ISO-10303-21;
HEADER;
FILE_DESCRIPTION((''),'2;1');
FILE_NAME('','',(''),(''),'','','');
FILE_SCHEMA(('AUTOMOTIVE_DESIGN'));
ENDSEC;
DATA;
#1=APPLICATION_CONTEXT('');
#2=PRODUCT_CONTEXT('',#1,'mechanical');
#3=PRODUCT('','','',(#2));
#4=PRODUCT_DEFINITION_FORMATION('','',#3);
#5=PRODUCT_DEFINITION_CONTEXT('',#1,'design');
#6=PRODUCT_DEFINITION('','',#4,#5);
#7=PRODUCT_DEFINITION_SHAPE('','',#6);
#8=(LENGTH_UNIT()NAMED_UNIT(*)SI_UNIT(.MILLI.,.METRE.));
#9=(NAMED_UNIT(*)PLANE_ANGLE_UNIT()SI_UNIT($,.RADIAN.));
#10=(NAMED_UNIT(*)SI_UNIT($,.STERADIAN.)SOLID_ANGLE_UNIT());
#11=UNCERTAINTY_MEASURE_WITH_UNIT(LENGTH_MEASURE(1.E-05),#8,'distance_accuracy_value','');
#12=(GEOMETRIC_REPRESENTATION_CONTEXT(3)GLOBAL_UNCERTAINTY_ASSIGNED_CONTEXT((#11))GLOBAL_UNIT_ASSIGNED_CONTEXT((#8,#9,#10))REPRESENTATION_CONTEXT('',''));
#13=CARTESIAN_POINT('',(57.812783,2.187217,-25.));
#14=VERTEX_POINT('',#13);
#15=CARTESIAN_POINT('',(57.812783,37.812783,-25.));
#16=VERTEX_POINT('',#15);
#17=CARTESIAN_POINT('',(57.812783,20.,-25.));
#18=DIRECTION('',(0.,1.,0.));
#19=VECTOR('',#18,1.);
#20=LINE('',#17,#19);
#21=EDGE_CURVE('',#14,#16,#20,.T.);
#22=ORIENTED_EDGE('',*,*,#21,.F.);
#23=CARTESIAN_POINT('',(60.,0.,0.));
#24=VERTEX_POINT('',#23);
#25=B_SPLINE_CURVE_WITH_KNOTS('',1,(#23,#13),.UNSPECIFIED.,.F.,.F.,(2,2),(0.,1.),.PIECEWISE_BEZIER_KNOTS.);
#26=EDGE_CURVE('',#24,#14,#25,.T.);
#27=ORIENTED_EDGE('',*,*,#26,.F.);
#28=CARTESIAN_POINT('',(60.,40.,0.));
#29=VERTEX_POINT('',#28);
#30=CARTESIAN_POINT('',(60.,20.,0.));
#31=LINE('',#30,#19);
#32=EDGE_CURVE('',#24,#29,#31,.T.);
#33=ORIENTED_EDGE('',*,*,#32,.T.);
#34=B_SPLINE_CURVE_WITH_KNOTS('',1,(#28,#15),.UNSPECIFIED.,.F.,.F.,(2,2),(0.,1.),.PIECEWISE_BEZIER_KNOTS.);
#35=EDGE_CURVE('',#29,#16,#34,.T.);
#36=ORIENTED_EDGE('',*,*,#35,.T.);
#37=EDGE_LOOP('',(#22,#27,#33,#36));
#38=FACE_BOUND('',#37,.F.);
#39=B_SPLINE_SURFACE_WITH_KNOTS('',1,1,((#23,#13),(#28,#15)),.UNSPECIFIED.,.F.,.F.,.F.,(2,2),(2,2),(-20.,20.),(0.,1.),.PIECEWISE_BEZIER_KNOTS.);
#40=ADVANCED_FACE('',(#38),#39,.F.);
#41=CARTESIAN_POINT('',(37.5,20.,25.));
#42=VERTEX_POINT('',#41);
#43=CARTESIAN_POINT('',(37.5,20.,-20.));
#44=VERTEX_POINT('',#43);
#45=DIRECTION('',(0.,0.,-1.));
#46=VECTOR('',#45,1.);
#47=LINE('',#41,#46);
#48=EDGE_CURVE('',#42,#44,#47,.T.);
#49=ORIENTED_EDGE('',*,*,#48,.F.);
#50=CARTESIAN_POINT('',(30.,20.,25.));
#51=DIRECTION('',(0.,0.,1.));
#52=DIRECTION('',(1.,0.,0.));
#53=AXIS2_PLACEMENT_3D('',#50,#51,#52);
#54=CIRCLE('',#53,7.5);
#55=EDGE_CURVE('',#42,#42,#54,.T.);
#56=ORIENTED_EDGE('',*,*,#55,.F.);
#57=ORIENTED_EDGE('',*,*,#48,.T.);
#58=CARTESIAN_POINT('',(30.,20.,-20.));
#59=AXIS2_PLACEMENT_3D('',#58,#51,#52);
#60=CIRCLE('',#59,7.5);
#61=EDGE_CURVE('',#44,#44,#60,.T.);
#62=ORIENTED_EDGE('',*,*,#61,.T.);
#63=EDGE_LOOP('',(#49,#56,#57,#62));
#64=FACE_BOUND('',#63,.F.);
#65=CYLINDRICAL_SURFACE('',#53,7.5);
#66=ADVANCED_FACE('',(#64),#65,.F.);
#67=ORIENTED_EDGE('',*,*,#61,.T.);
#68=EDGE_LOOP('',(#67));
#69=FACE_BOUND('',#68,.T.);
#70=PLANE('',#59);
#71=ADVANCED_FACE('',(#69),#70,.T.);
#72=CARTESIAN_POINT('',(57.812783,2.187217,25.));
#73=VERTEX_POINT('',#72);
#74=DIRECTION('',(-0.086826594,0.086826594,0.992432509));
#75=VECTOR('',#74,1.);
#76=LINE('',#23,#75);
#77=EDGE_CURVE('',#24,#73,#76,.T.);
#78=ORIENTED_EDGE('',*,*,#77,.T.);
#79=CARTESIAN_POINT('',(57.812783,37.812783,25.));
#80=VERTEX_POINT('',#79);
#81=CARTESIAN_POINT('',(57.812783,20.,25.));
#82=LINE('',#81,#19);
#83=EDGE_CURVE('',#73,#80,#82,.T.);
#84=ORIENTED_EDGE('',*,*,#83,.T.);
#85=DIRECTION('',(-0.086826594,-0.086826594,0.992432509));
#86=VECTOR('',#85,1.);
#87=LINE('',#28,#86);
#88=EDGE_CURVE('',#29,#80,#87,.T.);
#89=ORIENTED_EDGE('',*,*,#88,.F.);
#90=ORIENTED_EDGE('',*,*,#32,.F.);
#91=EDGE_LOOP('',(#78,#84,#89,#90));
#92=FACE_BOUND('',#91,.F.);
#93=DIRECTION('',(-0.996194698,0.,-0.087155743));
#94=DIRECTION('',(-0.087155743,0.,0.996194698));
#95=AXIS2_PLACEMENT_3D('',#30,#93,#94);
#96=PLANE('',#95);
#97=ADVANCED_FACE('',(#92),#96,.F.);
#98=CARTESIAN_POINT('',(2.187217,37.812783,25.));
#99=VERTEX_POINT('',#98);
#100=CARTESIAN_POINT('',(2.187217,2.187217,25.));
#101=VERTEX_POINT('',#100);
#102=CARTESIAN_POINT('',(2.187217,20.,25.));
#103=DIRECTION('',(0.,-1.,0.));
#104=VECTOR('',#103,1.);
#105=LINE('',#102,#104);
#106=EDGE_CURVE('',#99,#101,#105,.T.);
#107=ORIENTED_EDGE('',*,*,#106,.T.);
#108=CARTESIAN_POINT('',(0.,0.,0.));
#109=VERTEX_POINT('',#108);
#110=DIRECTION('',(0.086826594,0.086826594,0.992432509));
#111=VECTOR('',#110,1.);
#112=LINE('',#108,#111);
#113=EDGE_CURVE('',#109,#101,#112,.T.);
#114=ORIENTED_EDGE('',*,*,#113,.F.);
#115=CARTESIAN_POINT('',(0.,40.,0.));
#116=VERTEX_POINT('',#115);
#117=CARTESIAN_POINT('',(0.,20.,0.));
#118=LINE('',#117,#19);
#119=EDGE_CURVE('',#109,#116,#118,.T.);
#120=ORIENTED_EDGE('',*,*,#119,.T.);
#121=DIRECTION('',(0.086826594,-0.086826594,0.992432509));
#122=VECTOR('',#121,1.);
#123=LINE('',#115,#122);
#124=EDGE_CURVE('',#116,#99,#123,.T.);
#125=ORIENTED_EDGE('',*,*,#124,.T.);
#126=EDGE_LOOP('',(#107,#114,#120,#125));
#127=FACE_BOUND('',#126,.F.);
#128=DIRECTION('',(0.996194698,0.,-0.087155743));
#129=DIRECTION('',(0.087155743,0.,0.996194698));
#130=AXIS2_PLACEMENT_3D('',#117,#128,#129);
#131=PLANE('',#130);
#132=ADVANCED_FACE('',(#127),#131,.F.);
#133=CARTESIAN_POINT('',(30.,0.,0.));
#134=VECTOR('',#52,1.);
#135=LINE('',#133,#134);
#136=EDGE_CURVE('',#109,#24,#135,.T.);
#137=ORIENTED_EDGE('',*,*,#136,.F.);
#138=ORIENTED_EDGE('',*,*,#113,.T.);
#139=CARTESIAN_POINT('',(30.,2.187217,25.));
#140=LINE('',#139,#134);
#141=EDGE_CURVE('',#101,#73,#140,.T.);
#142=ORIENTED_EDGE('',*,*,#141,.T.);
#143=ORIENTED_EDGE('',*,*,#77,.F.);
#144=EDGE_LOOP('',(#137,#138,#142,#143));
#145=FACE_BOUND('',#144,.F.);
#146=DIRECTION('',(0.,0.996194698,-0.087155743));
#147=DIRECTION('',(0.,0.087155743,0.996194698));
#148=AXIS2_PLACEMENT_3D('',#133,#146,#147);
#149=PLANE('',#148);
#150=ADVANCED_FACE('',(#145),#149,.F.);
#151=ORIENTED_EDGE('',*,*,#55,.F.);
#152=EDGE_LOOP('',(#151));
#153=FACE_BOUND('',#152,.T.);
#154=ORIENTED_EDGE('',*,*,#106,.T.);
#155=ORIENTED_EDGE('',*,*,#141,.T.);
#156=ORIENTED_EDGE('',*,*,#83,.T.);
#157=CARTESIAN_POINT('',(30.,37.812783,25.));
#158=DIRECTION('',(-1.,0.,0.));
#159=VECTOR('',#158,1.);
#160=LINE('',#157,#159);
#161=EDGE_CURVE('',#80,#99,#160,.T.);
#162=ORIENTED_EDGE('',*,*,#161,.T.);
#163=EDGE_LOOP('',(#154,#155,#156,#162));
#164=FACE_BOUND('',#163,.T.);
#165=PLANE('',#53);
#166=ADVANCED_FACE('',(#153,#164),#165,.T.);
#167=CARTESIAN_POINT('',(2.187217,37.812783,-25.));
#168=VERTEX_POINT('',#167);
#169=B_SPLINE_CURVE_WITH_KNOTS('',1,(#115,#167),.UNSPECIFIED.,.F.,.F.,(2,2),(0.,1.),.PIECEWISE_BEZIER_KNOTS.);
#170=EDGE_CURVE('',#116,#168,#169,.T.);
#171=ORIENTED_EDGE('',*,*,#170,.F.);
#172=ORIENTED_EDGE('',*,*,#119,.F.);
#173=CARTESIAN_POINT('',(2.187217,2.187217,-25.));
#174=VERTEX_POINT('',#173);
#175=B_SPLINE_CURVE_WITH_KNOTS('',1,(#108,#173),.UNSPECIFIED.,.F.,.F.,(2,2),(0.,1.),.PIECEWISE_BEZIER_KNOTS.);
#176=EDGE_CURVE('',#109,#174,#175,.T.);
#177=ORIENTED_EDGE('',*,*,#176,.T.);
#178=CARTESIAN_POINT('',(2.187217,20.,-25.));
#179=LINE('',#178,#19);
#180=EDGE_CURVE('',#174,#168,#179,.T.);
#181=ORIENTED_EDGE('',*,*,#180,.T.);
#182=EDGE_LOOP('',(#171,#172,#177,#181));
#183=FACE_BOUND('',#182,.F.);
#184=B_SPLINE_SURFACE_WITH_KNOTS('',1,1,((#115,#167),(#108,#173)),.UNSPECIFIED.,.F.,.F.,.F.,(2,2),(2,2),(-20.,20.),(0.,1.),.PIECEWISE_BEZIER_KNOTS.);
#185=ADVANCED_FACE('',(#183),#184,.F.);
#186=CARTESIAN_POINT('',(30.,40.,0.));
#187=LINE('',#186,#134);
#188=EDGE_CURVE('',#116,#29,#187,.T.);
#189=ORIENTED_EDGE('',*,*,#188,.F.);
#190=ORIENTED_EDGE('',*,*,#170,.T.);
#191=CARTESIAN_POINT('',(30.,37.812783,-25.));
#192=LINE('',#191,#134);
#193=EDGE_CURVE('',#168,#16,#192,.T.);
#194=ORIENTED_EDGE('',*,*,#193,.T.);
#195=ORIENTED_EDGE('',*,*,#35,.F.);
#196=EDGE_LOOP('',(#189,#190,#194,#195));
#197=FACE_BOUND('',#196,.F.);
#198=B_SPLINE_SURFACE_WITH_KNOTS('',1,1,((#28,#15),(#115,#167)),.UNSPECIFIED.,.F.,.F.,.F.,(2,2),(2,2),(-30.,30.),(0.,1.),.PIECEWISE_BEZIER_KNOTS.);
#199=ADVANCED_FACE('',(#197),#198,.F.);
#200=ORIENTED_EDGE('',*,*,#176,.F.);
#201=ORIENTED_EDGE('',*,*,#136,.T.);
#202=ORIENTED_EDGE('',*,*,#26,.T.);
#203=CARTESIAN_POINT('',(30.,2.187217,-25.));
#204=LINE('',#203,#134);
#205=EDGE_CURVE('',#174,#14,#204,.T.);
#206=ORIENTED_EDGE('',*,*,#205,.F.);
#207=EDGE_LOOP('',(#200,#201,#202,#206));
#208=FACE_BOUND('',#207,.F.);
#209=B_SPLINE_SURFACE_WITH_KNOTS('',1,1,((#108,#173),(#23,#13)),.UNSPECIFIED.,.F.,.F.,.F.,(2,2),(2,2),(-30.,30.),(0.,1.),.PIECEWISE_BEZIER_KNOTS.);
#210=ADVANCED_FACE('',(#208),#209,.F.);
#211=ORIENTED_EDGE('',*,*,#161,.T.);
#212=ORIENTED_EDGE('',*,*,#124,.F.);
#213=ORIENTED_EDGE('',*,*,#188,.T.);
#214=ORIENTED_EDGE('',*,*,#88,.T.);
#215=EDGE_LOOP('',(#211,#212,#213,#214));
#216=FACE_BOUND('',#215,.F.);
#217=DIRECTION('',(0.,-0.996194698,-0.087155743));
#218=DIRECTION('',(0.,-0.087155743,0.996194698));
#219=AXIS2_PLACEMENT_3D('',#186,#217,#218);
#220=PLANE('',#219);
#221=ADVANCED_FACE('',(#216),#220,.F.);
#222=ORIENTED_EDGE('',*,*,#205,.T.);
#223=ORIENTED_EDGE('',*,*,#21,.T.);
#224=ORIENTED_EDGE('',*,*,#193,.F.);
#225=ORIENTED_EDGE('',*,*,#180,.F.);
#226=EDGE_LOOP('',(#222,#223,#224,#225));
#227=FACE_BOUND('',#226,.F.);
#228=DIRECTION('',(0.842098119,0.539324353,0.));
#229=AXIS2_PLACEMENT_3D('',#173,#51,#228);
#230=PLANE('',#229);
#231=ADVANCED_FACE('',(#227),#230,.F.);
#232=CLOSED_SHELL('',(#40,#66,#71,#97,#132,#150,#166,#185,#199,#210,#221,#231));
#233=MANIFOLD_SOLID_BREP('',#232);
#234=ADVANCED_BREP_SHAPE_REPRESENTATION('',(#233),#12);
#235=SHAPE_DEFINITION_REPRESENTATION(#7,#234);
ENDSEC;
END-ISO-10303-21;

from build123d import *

# Parameters (mm, degrees)
F0_W          = 60
F0_H          = 40
F1_DEPTH      = 25
F1_TAPER      = 5
F1_DEPTH_BACK = 25
F1_TAPER_BACK = 5
F2_R          = 7.5
F3_DEPTH      = 45


with BuildPart() as f1:
    # F0 (on Top) → F1 (new body, two sides)
    with BuildSketch(Plane.XY) as f1_sk:
        with Locations((30, 20)):
            Rectangle(F0_W, F0_H)
    extrude(amount=F1_DEPTH, taper=F1_TAPER)
    extrude(f1_sk.sketch, amount=-F1_DEPTH_BACK, taper=F1_TAPER_BACK)

    # F2 (on face) → F3 (cut)
    with BuildSketch(Plane.XY.offset(25)):
        with Locations((30, 20)):
            Circle(F2_R)
    extrude(amount=-F3_DEPTH, mode=Mode.SUBTRACT)


solid = f1.part
